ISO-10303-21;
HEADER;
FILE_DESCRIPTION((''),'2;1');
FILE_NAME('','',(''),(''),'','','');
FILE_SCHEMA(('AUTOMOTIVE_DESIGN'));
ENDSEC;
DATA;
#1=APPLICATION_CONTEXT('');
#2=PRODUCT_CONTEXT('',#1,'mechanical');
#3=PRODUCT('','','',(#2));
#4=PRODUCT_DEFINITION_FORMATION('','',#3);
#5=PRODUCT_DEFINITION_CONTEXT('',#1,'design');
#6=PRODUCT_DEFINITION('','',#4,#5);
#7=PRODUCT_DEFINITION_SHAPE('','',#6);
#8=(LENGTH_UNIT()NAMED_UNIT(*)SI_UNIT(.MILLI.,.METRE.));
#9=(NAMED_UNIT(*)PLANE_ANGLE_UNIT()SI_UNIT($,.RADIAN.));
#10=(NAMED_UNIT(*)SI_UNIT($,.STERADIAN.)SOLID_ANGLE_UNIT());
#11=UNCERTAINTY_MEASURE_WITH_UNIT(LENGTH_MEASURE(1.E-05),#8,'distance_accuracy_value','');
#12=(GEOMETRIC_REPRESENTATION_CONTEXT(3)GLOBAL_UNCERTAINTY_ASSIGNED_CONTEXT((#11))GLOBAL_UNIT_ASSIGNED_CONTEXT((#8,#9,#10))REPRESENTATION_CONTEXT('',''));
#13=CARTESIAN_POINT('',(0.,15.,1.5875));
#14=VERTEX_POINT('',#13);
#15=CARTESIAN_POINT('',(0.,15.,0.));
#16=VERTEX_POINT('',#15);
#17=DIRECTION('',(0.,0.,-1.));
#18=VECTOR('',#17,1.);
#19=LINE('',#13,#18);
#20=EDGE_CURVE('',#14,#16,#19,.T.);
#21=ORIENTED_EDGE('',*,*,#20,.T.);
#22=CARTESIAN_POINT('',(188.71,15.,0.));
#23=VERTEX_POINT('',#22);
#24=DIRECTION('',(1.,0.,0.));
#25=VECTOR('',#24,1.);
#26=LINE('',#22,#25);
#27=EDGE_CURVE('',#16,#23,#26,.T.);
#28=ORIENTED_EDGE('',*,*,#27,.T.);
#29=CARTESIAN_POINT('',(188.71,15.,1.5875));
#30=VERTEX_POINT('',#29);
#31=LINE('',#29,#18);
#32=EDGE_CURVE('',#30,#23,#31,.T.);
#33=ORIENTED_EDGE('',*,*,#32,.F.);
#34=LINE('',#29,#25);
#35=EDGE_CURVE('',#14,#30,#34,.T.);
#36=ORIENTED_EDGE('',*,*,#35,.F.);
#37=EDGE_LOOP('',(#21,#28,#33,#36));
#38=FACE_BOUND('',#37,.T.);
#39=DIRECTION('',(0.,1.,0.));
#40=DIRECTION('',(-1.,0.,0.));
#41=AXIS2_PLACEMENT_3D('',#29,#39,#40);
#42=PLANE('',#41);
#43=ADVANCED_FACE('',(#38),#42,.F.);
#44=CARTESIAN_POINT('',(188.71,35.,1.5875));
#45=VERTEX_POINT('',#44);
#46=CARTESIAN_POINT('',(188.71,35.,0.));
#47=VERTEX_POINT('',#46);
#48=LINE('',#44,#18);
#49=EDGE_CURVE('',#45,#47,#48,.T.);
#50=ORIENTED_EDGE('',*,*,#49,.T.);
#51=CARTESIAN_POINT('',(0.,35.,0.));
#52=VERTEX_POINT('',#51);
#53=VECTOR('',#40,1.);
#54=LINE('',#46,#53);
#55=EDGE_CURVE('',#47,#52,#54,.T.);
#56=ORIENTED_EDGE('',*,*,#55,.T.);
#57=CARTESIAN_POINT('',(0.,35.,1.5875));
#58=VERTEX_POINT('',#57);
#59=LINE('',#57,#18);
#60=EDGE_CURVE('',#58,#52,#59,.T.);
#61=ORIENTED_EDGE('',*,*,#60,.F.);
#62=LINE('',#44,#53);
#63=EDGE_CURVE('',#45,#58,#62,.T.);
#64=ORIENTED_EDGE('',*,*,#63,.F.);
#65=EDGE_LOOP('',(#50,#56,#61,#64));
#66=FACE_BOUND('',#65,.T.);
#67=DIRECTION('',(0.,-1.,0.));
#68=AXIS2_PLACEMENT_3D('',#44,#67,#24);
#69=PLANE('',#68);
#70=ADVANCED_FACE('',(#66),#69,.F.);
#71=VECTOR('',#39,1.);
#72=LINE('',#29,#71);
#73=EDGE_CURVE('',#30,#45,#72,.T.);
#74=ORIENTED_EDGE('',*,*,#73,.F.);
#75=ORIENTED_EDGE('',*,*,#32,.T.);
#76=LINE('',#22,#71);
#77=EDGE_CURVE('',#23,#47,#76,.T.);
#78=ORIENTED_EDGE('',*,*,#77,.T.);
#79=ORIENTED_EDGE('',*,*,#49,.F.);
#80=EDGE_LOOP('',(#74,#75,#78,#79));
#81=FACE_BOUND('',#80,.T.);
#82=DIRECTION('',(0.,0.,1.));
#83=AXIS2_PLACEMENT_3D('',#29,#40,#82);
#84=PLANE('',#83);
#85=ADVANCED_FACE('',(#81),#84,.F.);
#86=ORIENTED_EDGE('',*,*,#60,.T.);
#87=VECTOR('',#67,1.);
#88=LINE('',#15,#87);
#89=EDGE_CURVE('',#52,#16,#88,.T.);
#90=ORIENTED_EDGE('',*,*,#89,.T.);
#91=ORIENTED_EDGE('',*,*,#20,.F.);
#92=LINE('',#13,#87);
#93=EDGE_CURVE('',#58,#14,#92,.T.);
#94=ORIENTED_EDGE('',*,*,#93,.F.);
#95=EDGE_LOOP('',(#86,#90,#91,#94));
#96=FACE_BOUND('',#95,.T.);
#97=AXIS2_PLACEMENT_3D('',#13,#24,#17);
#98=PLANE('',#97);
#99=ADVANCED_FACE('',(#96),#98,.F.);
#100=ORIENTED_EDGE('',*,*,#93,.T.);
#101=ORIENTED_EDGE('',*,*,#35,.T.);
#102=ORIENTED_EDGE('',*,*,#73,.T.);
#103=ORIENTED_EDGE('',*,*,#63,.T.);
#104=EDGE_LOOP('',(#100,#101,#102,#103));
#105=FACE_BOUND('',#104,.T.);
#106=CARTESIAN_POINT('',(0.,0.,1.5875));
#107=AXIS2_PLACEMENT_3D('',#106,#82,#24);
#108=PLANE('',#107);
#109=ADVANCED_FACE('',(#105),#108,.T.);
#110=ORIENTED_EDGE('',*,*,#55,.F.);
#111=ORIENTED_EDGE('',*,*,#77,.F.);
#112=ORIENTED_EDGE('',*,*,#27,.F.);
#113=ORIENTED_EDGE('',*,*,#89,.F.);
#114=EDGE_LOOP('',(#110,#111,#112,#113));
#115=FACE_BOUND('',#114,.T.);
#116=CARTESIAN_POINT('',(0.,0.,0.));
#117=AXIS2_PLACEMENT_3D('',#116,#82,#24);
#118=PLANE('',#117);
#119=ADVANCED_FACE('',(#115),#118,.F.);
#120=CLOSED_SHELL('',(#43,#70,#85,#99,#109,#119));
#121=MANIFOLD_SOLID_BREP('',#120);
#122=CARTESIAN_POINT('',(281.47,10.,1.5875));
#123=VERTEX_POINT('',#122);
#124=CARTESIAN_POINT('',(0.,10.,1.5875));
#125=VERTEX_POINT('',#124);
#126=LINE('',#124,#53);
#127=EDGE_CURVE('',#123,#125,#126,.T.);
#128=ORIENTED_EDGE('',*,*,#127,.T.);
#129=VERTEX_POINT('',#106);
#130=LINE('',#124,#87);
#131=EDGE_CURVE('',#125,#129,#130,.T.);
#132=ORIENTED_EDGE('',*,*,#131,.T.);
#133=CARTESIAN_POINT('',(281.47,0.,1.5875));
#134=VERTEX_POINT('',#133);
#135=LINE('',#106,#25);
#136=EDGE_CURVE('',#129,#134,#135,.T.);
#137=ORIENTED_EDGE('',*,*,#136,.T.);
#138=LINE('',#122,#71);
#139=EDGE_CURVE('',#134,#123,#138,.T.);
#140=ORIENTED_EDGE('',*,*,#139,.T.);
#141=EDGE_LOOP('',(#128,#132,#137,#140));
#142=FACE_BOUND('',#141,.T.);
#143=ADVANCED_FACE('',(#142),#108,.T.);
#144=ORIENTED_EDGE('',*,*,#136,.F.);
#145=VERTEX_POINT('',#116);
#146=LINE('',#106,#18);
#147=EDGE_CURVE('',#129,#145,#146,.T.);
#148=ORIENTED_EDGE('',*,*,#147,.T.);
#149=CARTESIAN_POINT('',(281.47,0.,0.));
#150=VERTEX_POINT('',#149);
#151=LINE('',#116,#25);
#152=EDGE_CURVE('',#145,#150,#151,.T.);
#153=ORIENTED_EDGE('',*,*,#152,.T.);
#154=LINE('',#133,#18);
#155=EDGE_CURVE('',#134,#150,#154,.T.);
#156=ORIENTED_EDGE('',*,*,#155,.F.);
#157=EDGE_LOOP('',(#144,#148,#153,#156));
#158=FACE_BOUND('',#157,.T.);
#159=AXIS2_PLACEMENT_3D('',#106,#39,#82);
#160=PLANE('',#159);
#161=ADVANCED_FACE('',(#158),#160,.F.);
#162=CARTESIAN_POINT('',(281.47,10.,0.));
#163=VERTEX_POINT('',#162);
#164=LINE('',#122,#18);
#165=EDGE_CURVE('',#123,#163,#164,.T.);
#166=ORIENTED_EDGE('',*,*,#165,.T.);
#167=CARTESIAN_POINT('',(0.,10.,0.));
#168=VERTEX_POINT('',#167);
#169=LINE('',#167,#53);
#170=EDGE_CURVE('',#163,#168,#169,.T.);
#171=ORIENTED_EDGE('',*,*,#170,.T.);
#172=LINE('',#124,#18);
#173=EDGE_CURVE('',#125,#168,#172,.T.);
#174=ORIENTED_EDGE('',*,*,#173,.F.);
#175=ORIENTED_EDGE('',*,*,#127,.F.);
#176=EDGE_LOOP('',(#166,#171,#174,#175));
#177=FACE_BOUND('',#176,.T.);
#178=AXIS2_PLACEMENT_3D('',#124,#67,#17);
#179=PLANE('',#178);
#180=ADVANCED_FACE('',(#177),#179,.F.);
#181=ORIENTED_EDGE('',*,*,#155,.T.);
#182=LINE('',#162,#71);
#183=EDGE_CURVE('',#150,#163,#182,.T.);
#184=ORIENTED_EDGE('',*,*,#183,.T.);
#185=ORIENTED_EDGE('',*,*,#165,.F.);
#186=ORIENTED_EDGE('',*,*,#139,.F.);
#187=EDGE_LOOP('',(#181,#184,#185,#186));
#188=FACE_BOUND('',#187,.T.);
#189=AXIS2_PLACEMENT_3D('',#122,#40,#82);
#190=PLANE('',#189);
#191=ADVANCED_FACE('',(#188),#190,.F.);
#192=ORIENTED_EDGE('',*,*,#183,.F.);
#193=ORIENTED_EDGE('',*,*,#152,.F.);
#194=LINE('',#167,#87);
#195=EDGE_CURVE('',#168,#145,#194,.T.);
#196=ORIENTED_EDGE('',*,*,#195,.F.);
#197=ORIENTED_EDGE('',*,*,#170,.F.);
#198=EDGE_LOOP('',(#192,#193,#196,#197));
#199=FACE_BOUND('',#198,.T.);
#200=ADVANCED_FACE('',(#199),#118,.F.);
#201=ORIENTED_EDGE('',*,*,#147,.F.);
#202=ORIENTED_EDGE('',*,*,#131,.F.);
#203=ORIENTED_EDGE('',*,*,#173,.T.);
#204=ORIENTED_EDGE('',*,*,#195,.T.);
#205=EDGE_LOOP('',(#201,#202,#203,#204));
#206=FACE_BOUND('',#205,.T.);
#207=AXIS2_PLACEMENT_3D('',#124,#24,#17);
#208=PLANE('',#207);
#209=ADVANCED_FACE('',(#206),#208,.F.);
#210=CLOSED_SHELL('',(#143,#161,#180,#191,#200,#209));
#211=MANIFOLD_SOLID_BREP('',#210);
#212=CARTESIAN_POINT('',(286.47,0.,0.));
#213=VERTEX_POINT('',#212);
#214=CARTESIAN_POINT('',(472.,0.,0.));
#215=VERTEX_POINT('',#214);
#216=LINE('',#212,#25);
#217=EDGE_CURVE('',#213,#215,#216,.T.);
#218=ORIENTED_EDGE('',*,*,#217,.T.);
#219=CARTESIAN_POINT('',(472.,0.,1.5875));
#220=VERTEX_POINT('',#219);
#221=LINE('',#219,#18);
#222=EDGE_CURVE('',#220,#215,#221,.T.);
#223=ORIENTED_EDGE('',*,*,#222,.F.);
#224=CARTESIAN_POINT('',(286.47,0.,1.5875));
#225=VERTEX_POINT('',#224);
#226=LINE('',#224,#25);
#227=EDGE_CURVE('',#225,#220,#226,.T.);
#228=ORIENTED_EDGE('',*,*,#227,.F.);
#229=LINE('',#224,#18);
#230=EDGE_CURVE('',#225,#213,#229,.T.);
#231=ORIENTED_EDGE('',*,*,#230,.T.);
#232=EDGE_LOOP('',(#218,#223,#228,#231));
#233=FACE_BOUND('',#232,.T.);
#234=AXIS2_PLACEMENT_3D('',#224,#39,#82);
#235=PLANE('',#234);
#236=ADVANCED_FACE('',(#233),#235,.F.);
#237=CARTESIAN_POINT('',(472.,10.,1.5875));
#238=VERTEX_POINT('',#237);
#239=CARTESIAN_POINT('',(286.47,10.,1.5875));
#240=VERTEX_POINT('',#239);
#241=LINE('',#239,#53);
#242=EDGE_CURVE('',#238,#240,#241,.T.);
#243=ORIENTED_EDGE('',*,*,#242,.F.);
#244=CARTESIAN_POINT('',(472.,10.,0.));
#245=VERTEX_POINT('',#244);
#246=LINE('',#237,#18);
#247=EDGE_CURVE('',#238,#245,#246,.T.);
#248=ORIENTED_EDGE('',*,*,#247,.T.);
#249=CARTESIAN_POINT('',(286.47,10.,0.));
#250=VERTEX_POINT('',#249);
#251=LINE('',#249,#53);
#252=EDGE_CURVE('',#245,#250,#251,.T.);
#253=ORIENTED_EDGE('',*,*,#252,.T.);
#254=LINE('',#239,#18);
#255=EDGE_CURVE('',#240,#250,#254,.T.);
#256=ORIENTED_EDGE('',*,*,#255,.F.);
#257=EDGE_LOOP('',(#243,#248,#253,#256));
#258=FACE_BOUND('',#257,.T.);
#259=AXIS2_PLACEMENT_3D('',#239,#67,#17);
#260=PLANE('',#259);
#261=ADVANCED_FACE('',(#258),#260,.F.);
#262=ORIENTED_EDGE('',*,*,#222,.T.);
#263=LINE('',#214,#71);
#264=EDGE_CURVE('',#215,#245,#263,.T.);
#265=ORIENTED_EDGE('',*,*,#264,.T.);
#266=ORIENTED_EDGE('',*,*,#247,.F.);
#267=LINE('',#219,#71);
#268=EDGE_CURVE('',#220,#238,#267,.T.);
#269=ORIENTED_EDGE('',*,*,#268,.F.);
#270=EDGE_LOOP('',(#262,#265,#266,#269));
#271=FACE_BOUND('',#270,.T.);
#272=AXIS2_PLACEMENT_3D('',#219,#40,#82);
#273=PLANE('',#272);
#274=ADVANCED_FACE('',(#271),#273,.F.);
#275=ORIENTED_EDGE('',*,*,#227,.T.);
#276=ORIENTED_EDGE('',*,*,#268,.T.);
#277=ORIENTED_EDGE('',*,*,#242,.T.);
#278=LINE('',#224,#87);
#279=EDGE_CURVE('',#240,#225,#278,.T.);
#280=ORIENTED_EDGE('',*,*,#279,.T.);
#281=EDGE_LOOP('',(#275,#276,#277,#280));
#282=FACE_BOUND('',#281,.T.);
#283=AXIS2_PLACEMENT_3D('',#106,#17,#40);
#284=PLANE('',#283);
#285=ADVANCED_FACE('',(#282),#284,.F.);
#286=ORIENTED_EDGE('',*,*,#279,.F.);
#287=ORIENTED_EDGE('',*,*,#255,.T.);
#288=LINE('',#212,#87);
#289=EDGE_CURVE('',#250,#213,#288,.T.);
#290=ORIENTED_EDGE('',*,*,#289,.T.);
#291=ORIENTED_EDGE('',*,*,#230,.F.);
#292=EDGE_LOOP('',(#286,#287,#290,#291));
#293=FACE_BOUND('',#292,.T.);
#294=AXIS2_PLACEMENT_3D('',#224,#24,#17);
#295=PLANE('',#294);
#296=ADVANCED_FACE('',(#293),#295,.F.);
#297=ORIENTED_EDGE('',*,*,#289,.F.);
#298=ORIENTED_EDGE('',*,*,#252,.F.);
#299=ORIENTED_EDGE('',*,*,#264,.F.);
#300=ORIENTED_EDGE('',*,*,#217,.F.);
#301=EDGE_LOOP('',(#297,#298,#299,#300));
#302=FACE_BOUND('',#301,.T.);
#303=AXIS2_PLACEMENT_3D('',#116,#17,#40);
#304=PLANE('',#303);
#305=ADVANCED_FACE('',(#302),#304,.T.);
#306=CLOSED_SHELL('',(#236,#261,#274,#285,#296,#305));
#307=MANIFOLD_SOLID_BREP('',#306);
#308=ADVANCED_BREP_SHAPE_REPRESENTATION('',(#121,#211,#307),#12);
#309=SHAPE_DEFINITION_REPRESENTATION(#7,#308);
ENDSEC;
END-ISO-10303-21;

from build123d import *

# Parameters (mm, degrees)
SKETCH2_W             = 281.47
SKETCH2_H             = 10
BOSS_EXTRUDE1_DEPTH   = 1.5875
SKETCH2_W_2           = 185.53
BOSS_EXTRUDE1_2_DEPTH = 1.5875
SKETCH2_W_3           = 188.71
SKETCH2_H_2           = 20
BOSS_EXTRUDE1_3_DEPTH = 1.5875


with BuildPart() as part:
    # Sketch2 → Boss-Extrude1 (new body)
    with BuildSketch(Plane.XY):
        with Locations((140.735, 5)):
            Rectangle(SKETCH2_W, SKETCH2_H)
    extrude(amount=BOSS_EXTRUDE1_DEPTH)


with BuildPart() as body_2:
    # Sketch2 → Boss-Extrude1 2 (new body)
    with BuildSketch(Plane.XY):
        with Locations((379.235, 5)):
            Rectangle(SKETCH2_W_2, SKETCH2_H)
    extrude(amount=BOSS_EXTRUDE1_2_DEPTH)


with BuildPart() as body_3:
    # Sketch2 → Boss-Extrude1 3 (new body)
    with BuildSketch(Plane.XY):
        with Locations((94.355, 25)):
            Rectangle(SKETCH2_W_3, SKETCH2_H_2)
    extrude(amount=BOSS_EXTRUDE1_3_DEPTH)


solid = Compound([part.part, body_2.part, body_3.part])
